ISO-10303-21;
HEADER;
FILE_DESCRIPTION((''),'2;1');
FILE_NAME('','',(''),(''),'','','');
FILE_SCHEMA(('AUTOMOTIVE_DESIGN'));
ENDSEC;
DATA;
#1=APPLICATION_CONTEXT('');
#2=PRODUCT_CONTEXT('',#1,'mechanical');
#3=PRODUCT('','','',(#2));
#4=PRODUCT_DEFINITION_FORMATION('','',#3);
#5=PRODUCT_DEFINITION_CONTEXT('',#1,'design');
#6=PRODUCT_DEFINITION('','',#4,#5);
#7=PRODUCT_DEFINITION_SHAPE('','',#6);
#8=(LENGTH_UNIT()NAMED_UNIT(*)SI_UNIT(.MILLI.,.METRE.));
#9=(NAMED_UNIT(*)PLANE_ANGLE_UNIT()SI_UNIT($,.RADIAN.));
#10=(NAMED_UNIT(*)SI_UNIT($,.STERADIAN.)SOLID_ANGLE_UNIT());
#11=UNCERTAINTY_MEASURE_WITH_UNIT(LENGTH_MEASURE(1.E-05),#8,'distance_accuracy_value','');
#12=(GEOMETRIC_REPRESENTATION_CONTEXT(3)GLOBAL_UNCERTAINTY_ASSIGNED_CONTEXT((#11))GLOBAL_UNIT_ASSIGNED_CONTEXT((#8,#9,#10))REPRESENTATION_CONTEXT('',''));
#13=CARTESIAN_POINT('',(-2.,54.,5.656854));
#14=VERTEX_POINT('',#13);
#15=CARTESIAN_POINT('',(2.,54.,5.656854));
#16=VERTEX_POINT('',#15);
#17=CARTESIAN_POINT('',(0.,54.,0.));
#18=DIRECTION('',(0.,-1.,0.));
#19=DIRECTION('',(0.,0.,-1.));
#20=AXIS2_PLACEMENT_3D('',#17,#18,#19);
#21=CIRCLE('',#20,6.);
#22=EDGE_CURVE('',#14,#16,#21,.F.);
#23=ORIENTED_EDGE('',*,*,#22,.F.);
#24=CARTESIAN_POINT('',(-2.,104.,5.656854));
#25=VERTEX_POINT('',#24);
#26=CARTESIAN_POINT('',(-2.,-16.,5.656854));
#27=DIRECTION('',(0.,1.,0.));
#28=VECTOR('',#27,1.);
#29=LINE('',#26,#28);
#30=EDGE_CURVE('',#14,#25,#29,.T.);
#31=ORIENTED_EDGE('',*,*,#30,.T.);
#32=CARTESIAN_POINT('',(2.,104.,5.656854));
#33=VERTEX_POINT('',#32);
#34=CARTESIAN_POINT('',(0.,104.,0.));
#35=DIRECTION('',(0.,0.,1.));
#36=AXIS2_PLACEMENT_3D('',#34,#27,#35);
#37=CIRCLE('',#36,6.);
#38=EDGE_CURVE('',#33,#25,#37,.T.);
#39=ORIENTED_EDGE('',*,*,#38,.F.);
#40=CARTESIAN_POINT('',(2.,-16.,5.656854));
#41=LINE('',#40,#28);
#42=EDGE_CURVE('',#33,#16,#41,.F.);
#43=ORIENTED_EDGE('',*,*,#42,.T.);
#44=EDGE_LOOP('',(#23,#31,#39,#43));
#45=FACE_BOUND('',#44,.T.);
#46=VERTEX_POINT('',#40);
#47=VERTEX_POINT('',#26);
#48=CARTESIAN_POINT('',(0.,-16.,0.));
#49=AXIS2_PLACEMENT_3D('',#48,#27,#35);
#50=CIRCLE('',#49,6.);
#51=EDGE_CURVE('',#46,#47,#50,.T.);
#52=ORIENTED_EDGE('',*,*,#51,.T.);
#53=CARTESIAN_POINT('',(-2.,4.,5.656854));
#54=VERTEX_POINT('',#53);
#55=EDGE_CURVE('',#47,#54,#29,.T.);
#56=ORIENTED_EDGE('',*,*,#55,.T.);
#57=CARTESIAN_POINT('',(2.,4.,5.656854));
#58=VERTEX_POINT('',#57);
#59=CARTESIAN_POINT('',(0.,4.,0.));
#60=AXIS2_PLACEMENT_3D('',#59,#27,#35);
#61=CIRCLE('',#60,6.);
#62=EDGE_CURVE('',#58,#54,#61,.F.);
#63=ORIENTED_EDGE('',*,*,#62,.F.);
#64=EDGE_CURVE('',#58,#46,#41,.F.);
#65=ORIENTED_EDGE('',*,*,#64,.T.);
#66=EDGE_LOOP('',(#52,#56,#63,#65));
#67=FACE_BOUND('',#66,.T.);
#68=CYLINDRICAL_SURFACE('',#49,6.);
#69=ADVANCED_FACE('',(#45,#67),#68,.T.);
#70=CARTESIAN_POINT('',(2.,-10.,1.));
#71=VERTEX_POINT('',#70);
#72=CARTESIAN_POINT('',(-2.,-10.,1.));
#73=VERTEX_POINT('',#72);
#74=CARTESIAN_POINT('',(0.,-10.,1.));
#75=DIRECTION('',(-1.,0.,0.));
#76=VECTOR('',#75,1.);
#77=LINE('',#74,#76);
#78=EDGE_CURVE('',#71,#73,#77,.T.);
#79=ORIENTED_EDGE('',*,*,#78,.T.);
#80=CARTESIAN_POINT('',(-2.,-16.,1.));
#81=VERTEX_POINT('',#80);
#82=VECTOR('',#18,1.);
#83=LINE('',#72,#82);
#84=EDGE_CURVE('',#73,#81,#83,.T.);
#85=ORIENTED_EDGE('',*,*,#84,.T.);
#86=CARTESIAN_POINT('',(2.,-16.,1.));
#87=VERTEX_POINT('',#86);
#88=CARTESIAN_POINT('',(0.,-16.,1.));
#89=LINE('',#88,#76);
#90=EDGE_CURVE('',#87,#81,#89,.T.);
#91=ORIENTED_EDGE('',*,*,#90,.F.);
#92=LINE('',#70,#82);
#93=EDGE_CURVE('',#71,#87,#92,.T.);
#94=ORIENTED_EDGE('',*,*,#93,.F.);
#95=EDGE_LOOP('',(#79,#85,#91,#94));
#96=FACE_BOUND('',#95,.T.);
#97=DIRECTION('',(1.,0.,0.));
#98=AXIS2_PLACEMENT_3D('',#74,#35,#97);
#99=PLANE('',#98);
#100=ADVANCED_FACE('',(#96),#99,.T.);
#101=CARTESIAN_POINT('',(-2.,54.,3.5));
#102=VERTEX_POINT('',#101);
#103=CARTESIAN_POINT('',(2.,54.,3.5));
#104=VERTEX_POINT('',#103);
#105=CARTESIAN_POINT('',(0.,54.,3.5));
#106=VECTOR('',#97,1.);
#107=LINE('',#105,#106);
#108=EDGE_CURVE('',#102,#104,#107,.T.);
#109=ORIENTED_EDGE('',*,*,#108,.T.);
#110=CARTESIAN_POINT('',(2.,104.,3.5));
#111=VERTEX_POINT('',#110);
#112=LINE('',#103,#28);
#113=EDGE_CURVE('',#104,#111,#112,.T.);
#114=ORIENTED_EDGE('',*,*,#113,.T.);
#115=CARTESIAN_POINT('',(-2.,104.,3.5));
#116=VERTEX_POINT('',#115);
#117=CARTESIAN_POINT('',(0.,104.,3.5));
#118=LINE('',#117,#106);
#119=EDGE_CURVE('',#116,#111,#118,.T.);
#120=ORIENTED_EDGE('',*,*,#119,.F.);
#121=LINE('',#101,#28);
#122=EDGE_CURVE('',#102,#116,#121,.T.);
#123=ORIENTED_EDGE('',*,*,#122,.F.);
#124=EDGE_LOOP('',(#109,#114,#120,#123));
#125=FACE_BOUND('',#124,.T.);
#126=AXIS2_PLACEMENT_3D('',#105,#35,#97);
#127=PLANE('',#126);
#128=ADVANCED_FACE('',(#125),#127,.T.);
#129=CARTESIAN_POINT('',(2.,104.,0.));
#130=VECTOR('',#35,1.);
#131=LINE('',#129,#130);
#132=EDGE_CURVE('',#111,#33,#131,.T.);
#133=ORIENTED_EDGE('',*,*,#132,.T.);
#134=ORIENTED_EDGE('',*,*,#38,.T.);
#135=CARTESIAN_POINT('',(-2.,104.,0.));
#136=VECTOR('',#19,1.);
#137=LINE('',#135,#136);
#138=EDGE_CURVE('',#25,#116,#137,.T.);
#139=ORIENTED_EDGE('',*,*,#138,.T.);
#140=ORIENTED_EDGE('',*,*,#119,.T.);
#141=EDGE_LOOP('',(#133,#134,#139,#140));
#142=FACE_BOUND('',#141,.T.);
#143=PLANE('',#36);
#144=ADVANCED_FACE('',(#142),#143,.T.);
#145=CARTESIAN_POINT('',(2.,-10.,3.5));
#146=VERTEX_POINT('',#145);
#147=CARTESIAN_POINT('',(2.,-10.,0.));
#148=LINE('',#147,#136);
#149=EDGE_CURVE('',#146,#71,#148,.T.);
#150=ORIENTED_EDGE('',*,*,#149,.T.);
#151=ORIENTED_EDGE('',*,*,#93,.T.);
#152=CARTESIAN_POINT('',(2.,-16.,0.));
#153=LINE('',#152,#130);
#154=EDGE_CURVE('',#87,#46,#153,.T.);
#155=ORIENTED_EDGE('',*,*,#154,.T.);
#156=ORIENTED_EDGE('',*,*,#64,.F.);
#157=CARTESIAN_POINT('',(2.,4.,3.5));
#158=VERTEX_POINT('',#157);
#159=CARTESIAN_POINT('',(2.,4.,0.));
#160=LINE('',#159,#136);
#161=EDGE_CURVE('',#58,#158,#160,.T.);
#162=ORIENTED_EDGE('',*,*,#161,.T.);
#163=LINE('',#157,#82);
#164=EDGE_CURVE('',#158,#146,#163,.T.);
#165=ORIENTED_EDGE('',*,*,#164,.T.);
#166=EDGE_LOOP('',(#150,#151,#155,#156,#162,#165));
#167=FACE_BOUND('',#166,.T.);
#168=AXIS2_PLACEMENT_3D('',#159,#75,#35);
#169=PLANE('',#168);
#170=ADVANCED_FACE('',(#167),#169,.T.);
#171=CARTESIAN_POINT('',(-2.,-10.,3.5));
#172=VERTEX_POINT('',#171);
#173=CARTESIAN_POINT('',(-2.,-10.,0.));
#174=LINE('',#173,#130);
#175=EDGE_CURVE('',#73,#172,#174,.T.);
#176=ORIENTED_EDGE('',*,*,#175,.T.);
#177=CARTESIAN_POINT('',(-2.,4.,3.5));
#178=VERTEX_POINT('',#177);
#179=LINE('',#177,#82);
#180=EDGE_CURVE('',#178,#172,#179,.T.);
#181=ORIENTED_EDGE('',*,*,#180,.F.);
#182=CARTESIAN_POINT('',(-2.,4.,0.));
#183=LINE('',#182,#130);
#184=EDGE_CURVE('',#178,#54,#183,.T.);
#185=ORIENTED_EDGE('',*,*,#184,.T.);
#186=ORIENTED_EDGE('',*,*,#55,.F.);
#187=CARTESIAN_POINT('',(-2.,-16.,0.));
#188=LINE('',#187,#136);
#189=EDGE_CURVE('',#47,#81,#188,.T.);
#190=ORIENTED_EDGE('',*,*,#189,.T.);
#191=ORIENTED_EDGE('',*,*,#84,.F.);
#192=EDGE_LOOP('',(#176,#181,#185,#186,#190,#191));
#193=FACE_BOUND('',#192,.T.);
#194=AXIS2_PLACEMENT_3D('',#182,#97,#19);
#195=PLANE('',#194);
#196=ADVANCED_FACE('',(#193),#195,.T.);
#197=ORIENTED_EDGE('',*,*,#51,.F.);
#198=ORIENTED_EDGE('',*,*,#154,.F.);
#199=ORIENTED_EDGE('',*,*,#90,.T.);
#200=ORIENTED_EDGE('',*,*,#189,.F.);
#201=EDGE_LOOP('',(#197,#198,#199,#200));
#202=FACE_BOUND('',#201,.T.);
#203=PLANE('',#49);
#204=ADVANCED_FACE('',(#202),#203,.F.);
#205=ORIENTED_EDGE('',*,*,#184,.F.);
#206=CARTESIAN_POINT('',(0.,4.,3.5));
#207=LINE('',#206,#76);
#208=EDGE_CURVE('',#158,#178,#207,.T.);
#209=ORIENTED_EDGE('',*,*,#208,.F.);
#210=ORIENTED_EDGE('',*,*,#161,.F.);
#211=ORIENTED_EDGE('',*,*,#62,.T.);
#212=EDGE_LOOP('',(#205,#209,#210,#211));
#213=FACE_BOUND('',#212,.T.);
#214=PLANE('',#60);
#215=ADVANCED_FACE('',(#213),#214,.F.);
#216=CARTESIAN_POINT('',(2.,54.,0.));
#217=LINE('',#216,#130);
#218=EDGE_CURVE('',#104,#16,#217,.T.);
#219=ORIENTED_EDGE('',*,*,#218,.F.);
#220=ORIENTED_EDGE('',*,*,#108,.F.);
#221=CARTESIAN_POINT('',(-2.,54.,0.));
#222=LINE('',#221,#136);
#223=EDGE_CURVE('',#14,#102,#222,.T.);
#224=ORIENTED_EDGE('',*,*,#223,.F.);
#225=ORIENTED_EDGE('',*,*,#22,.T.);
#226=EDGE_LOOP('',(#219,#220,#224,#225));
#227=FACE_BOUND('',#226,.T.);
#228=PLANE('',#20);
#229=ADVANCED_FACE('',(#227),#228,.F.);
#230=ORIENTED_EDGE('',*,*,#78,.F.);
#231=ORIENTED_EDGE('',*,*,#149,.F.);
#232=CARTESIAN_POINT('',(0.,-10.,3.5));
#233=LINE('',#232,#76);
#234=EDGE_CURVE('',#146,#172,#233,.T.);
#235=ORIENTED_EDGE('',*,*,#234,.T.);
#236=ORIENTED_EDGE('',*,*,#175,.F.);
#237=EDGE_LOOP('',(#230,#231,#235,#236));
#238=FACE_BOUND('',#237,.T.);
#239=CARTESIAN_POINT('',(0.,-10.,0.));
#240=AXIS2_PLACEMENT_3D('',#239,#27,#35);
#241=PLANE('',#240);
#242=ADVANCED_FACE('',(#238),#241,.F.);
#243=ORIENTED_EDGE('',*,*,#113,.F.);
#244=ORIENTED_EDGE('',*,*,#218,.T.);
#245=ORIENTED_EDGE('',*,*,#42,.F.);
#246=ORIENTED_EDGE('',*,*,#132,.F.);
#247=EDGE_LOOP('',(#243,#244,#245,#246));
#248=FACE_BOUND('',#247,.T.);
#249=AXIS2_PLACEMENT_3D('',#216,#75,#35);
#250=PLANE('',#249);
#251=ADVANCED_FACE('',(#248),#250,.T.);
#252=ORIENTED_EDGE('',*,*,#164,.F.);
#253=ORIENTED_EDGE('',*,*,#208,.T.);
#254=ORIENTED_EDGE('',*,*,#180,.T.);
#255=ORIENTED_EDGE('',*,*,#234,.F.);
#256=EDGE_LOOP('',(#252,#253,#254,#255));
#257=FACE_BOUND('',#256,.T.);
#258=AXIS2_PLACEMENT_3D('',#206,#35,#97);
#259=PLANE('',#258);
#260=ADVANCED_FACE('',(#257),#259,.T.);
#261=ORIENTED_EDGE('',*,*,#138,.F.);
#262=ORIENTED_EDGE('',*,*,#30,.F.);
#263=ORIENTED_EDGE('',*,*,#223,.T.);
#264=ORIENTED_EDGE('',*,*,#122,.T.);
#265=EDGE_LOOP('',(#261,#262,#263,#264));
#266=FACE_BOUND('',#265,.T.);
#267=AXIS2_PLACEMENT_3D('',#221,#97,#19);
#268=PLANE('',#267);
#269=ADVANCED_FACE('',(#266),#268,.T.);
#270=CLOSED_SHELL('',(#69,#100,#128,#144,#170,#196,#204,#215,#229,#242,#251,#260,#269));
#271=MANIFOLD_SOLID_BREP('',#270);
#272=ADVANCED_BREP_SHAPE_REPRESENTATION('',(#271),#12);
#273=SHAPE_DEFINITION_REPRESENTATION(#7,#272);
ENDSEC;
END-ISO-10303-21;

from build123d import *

# Parameters (mm, degrees)
SKETCH1_R                = 6
BOSS_EXTRUDE1_DEPTH      = 104
BOSS_EXTRUDE1_DEPTH_BACK = 16
CUT_EXTRUDE3_START       = -16
SKETCH2_W                = 4
SKETCH2_H                = 5
CUT_EXTRUDE3_DEPTH       = 20
CUT_EXTRUDE3_DEPTH_BACK  = 0.0001
CUT_EXTRUDE4_START       = 104
SKETCH2_2_W              = 4
SKETCH2_2_H              = 5
CUT_EXTRUDE4_DEPTH       = 50
CUT_EXTRUDE6_START       = -16
SKETCH3_W                = 4
SKETCH3_H                = 10
CUT_EXTRUDE6_DEPTH       = 6


with BuildPart() as part:
    # Sketch1 → Boss-Extrude1 (new body, two sides)
    with BuildSketch(Plane(origin=(0, 0, 0), x_dir=(1, 0, 0), z_dir=(0, 1, 0))) as boss_extrude1_sk:
        Circle(SKETCH1_R)
    extrude(amount=BOSS_EXTRUDE1_DEPTH)
    extrude(boss_extrude1_sk.sketch, amount=-BOSS_EXTRUDE1_DEPTH_BACK)

    # Sketch2 → Cut-Extrude3 (cut, two sides)
    with BuildSketch(Plane(origin=(0, 0, 0), x_dir=(1, 0, 0), z_dir=(0, 1, 0)).offset(CUT_EXTRUDE3_START)) as cut_extrude3_sk:
        with Locations((0, -6)):
            Rectangle(SKETCH2_W, SKETCH2_H)
    extrude(amount=CUT_EXTRUDE3_DEPTH, mode=Mode.SUBTRACT)
    extrude(cut_extrude3_sk.sketch, amount=-CUT_EXTRUDE3_DEPTH_BACK, mode=Mode.SUBTRACT)

    # Sketch2<2> → Cut-Extrude4 (cut)
    with BuildSketch(Plane(origin=(0, 0, 0), x_dir=(1, 0, 0), z_dir=(0, 1, 0)).offset(CUT_EXTRUDE4_START)):
        with Locations((0, -6)):
            Rectangle(SKETCH2_2_W, SKETCH2_2_H)
    extrude(amount=-CUT_EXTRUDE4_DEPTH, mode=Mode.SUBTRACT)

    # Sketch3 → Cut-Extrude6 (cut)
    with BuildSketch(Plane(origin=(0, 0, 0), x_dir=(1, 0, 0), z_dir=(0, 1, 0)).offset(CUT_EXTRUDE6_START)):
        with Locations((0, -6)):
            Rectangle(SKETCH3_W, SKETCH3_H)
    extrude(amount=CUT_EXTRUDE6_DEPTH, mode=Mode.SUBTRACT)


solid = part.part
